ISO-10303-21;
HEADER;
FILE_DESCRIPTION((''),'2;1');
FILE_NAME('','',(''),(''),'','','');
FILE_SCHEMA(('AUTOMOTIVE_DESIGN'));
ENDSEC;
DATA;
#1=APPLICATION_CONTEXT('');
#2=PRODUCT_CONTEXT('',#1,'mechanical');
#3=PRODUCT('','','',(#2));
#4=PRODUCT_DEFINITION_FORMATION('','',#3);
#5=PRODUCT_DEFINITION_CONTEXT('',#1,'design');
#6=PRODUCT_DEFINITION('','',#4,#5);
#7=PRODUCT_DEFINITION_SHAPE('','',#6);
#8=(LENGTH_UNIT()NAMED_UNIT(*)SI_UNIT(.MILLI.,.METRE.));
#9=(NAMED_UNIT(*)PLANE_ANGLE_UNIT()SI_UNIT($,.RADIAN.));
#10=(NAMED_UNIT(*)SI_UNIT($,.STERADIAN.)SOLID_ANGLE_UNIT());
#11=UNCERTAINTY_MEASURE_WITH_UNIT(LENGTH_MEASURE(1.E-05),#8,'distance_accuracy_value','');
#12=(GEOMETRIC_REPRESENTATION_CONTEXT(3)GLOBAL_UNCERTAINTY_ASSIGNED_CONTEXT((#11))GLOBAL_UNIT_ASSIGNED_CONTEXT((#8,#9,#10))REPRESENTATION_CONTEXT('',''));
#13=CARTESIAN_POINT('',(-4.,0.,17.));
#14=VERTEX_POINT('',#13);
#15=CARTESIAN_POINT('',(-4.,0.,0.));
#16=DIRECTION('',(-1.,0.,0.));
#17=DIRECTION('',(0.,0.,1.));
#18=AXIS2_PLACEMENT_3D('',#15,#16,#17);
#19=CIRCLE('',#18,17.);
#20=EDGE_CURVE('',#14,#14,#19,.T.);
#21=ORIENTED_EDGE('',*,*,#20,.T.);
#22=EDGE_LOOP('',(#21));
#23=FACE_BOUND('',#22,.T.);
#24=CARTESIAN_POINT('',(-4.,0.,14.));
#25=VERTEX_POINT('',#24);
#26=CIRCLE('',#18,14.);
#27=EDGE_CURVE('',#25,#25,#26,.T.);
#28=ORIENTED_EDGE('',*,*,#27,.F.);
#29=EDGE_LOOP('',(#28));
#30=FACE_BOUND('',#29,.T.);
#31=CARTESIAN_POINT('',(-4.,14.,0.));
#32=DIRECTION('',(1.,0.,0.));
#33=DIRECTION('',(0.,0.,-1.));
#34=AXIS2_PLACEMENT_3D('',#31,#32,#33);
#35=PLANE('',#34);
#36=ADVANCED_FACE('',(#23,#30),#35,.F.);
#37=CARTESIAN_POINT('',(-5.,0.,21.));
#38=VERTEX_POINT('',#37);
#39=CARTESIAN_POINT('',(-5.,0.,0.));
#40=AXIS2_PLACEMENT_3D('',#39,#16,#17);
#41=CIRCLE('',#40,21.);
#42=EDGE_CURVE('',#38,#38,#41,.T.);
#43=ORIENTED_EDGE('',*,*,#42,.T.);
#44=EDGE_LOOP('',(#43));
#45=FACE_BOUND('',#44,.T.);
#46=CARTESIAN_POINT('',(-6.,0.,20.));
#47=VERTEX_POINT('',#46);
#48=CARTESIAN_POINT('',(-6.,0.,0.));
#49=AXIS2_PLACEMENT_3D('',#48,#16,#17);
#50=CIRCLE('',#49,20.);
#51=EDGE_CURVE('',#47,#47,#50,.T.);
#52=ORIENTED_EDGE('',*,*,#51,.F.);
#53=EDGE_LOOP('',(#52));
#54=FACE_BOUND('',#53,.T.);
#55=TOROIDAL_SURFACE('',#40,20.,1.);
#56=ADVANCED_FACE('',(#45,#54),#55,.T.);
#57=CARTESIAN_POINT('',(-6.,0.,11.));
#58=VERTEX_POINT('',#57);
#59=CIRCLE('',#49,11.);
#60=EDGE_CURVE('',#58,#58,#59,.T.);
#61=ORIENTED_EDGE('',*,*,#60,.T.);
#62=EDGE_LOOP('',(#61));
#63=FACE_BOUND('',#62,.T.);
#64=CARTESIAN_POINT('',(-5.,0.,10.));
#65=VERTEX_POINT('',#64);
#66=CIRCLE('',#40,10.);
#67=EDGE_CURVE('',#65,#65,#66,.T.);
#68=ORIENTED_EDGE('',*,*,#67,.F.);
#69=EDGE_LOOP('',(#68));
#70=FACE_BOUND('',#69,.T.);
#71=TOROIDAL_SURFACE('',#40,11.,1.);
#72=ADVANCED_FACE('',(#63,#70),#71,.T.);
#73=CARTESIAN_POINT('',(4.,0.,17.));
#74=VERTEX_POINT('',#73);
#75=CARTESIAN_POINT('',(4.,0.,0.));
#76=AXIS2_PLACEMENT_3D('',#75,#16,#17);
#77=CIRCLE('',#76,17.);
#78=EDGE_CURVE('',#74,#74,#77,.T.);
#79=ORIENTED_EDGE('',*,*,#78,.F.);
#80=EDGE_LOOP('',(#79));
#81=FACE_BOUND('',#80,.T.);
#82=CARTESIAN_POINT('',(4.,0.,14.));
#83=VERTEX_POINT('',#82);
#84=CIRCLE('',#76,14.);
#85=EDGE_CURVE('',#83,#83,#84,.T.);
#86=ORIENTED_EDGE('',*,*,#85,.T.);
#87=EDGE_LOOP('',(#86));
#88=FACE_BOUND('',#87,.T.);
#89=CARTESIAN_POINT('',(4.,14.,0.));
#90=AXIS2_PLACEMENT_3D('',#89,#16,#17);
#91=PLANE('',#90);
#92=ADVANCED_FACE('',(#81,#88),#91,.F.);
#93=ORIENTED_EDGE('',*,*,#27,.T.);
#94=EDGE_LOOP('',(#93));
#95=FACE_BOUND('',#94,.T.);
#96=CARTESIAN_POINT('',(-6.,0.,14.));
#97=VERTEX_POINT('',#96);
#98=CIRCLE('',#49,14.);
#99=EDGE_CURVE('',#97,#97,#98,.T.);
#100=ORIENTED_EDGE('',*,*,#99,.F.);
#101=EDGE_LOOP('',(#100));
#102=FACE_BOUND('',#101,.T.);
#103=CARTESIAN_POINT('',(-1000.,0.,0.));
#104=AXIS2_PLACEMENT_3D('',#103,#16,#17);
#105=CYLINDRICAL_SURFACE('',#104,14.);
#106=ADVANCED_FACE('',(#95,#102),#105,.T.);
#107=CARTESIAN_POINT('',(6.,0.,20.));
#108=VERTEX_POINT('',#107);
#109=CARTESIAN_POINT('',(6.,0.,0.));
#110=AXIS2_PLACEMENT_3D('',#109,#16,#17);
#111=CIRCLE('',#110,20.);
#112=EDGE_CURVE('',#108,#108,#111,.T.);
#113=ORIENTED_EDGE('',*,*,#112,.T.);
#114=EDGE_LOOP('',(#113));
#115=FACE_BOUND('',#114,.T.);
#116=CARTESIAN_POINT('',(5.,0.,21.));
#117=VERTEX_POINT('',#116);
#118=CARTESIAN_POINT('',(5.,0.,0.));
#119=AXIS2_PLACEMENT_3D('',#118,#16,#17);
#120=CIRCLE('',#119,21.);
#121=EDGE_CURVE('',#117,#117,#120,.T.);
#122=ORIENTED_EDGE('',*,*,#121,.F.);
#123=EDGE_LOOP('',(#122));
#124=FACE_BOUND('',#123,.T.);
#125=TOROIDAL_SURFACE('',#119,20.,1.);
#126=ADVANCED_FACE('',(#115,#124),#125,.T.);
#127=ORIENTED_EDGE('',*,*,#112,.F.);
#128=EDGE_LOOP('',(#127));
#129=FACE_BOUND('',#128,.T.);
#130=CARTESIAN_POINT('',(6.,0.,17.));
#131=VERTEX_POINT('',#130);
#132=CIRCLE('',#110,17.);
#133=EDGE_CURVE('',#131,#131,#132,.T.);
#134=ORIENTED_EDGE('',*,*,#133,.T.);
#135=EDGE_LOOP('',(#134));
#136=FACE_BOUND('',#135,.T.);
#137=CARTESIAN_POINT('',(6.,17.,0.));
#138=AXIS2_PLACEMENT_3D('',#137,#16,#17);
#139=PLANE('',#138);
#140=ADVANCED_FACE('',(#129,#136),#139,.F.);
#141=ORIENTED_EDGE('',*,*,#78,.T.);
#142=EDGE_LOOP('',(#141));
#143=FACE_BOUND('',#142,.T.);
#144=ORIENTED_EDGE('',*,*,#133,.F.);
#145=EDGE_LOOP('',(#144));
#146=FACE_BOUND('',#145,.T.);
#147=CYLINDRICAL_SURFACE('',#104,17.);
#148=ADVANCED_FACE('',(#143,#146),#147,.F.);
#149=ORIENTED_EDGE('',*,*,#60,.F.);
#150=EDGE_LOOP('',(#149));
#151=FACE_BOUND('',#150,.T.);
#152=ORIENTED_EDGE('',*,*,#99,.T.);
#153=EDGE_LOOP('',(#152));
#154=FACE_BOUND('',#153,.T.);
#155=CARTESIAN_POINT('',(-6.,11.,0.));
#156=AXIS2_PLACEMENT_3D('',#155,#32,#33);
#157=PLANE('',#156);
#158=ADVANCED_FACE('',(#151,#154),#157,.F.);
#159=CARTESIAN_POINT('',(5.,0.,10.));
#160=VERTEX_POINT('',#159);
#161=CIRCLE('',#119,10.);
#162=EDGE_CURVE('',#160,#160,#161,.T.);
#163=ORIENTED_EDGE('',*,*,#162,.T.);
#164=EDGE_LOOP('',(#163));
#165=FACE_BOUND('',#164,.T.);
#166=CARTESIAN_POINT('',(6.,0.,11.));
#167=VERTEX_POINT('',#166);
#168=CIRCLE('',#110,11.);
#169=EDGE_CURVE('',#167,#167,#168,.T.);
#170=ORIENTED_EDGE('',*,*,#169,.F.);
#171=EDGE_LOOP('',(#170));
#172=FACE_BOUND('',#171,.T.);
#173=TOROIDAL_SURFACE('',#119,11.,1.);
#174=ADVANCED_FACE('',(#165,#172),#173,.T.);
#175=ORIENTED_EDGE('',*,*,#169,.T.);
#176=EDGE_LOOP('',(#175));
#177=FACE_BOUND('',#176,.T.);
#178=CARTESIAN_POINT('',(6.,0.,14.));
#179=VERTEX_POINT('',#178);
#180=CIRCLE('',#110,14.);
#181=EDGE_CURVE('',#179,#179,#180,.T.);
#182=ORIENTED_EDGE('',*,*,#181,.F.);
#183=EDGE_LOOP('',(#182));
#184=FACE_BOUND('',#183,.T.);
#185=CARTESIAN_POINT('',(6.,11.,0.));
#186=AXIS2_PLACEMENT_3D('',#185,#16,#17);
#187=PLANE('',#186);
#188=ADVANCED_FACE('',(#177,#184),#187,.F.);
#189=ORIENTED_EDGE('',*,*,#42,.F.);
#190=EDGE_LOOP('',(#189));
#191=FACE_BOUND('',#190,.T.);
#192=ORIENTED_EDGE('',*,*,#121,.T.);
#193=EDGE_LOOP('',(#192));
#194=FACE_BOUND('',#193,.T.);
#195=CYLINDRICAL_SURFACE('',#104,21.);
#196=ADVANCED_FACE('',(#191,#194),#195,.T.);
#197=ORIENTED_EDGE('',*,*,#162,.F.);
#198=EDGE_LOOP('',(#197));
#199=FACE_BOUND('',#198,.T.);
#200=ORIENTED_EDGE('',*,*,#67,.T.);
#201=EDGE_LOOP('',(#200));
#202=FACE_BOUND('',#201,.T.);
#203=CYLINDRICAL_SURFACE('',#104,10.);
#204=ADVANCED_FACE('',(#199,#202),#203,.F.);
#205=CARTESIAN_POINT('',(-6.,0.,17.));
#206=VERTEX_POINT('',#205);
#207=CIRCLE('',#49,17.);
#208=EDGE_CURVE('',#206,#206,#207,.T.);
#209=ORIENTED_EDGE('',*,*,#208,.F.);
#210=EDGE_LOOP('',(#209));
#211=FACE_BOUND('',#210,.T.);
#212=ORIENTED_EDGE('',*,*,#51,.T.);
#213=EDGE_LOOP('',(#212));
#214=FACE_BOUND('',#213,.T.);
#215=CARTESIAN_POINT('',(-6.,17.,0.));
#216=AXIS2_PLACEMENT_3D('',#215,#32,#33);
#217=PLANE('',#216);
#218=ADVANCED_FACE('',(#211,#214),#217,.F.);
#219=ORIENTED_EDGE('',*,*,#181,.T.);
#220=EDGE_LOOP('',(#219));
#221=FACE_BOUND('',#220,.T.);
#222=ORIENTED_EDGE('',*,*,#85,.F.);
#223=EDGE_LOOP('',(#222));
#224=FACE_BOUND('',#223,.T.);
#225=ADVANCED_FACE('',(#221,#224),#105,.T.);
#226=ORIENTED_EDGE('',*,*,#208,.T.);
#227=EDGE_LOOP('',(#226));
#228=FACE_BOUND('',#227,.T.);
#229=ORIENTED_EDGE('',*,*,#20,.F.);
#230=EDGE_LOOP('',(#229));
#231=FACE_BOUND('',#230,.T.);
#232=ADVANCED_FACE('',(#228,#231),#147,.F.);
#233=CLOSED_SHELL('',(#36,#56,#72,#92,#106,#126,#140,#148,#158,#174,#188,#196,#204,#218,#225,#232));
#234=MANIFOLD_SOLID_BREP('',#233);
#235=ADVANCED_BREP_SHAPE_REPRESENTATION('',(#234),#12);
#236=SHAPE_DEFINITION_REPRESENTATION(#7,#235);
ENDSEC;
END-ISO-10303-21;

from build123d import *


with BuildPart() as part:
    # Эскиз1 → Повернуть1 (revolve)
    with BuildSketch(Plane.XY):
        with BuildLine():
            Line((5, 10), (-5, 10))
            ThreePointArc((-5, 10), (-5.707106781, 10.292893219), (-6, 11))
            Line((-6, 11), (-6, 14))
            Line((-6, 14), (-4, 14))
            Line((-4, 14), (-4, 17))
            Line((-4, 17), (-6, 17))
            Line((-6, 17), (-6, 20))
            ThreePointArc((-6, 20), (-5.707106781, 20.707106781), (-5, 21))
            Line((-5, 21), (5, 21))
            ThreePointArc((5, 21), (5.707106781, 20.707106781), (6, 20))
            Line((6, 20), (6, 17))
            Line((6, 17), (4, 17))
            Line((4, 17), (4, 14))
            Line((4, 14), (6, 14))
            Line((6, 14), (6, 11))
            ThreePointArc((6, 11), (5.707106781, 10.292893219), (5, 10))
        make_face()
    revolve(axis=Axis((-1000, 0, 0), (1, 0, 0)))


solid = part.part
